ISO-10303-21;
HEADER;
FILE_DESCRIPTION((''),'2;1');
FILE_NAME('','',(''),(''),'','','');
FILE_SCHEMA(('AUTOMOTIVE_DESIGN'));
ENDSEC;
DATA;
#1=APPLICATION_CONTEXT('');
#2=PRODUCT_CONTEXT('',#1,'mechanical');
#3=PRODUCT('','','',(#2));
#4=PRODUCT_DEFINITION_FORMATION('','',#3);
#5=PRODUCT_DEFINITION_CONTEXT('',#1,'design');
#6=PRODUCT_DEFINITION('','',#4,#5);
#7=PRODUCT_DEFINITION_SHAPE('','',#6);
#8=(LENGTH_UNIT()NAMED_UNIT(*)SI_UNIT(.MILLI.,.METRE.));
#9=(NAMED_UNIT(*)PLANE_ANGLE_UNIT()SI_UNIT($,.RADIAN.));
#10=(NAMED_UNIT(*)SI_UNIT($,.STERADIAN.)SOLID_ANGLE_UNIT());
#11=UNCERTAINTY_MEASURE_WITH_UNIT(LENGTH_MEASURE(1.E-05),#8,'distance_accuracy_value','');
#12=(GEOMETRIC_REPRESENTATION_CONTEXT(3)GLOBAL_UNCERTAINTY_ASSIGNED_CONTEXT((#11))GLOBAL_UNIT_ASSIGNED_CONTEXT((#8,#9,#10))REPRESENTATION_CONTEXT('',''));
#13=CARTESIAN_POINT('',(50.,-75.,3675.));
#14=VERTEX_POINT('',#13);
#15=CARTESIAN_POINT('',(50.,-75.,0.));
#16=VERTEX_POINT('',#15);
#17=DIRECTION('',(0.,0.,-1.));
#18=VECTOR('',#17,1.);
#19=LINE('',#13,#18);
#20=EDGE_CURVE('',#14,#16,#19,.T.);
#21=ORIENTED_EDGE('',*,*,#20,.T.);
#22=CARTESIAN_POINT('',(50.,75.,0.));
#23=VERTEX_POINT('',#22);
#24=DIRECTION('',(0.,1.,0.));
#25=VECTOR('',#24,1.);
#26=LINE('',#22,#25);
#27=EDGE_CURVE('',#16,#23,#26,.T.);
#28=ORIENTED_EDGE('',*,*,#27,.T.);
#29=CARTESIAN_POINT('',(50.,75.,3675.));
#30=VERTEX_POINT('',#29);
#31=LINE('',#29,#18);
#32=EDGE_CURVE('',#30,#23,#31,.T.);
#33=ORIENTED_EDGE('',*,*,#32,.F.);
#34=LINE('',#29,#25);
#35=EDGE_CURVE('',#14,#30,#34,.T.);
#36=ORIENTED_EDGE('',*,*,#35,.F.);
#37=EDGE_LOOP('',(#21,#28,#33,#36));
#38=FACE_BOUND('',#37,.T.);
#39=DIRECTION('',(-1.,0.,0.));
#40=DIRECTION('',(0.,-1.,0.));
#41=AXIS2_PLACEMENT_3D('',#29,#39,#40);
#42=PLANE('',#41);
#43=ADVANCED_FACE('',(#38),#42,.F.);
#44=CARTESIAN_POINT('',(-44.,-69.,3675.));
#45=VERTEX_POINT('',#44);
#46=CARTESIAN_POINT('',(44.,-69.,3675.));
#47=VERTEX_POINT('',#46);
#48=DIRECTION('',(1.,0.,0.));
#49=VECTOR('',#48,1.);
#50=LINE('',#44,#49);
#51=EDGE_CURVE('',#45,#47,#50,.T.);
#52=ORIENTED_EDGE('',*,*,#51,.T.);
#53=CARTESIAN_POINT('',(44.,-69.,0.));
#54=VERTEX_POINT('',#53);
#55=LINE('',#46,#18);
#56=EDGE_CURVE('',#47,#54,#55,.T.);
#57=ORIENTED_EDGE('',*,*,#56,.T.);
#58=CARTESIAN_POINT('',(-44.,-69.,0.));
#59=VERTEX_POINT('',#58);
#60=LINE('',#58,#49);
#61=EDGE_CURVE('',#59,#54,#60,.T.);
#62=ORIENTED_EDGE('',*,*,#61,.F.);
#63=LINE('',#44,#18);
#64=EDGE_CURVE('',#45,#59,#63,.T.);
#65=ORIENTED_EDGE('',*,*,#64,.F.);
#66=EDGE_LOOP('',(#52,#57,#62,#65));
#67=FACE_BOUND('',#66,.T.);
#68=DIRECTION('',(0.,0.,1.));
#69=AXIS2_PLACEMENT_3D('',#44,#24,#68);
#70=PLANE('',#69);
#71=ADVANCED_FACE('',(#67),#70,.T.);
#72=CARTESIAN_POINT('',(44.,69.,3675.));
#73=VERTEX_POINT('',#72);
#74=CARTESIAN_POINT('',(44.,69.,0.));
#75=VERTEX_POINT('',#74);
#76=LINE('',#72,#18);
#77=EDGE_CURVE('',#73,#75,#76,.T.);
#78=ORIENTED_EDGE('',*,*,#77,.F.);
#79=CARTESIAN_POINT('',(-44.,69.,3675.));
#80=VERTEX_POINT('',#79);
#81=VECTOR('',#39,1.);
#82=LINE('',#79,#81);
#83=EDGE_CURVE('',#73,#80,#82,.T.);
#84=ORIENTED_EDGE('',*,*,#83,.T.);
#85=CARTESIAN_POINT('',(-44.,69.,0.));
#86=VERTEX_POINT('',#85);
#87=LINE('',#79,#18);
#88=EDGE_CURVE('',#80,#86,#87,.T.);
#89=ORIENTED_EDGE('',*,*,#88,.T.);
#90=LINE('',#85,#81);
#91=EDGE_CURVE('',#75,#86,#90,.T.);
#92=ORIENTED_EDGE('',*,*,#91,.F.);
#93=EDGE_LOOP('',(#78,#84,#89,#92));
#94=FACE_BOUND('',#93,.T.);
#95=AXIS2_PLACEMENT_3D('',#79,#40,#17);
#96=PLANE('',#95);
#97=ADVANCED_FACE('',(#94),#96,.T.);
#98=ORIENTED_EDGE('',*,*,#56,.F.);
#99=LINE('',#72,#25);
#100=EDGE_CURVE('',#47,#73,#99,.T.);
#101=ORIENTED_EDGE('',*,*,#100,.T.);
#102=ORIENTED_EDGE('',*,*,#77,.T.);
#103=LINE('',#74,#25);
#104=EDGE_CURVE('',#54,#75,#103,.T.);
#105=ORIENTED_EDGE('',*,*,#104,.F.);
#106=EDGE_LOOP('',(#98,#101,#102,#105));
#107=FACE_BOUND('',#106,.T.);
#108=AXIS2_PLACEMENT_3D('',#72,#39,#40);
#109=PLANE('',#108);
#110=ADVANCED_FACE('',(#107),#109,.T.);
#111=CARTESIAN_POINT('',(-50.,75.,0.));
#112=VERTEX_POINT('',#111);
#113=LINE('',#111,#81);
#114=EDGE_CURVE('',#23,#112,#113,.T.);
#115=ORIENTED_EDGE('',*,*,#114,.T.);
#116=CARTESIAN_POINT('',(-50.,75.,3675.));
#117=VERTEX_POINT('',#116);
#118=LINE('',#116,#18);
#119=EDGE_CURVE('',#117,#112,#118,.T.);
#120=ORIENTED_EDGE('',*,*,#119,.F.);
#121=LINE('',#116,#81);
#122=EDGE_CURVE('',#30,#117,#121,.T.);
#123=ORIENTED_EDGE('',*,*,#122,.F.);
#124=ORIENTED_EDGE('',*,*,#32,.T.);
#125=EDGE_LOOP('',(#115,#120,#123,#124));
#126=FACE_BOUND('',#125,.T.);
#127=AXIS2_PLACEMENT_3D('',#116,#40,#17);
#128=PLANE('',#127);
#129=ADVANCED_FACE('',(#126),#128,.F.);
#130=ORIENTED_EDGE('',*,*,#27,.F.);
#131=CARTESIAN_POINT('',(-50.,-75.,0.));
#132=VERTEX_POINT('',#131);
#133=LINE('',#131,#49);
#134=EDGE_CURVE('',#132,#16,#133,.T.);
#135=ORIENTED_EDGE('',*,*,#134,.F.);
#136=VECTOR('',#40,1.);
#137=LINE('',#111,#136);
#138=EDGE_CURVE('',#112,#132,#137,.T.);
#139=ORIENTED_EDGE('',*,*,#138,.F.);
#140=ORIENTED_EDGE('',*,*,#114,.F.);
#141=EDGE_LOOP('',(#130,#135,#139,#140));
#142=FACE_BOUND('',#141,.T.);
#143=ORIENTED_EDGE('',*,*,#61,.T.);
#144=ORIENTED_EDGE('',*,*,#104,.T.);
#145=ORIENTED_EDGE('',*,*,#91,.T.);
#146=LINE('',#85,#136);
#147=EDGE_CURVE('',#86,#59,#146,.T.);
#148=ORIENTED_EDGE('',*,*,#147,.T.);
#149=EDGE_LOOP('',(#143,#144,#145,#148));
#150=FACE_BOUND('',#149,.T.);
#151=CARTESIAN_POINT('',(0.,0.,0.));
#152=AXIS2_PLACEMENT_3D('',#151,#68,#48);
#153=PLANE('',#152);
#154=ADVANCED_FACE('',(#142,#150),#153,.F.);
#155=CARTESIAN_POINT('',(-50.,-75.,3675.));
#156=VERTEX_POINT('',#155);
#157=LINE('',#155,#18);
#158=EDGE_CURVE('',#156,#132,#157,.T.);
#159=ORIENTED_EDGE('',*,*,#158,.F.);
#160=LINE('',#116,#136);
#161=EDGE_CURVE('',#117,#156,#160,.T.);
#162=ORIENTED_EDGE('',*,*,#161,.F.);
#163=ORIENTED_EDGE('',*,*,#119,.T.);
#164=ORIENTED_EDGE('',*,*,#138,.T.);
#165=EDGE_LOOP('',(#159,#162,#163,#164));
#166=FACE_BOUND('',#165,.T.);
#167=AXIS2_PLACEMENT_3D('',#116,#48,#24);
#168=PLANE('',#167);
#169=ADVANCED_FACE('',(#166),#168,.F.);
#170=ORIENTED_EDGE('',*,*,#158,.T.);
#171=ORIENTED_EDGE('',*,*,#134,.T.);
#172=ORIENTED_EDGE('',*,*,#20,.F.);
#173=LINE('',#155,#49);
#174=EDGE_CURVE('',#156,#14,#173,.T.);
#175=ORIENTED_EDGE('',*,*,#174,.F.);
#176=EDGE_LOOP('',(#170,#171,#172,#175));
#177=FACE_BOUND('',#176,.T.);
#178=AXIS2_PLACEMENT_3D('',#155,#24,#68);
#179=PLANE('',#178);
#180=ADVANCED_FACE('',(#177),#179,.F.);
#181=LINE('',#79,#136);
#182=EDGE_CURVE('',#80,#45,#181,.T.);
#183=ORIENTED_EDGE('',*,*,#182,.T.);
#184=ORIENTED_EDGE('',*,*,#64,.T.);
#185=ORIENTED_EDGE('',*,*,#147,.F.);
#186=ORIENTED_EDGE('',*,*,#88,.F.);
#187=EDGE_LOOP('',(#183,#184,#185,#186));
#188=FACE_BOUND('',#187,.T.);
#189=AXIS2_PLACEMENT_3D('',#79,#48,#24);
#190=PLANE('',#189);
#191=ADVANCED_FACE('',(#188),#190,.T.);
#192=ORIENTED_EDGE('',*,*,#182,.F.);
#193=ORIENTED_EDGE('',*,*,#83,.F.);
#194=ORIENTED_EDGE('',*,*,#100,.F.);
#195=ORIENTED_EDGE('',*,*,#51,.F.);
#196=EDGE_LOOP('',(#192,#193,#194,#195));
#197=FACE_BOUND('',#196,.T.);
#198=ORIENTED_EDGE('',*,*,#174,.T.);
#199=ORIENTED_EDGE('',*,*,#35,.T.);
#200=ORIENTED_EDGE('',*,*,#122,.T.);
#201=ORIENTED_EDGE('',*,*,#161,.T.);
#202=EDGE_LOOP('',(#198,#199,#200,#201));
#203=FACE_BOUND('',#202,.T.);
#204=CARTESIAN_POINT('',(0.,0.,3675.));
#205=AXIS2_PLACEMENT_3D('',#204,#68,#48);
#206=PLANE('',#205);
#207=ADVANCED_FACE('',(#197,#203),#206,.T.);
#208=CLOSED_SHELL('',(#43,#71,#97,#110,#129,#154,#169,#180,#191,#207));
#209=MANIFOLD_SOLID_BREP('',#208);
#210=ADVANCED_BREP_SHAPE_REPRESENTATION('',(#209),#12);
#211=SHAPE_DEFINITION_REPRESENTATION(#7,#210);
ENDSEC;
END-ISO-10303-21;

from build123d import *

# Parameters (mm, degrees)
SKETCH1_W           = 100
SKETCH1_H           = 150
SKETCH1_W_2         = 88
SKETCH1_H_2         = 138
BOSS_EXTRUDE2_DEPTH = 3675


with BuildPart() as part:
    # Sketch1 → Boss-Extrude2 (new body)
    with BuildSketch(Plane.XY):
        Rectangle(SKETCH1_W, SKETCH1_H)
        Rectangle(SKETCH1_W_2, SKETCH1_H_2, mode=Mode.SUBTRACT)
    extrude(amount=BOSS_EXTRUDE2_DEPTH)


solid = part.part
